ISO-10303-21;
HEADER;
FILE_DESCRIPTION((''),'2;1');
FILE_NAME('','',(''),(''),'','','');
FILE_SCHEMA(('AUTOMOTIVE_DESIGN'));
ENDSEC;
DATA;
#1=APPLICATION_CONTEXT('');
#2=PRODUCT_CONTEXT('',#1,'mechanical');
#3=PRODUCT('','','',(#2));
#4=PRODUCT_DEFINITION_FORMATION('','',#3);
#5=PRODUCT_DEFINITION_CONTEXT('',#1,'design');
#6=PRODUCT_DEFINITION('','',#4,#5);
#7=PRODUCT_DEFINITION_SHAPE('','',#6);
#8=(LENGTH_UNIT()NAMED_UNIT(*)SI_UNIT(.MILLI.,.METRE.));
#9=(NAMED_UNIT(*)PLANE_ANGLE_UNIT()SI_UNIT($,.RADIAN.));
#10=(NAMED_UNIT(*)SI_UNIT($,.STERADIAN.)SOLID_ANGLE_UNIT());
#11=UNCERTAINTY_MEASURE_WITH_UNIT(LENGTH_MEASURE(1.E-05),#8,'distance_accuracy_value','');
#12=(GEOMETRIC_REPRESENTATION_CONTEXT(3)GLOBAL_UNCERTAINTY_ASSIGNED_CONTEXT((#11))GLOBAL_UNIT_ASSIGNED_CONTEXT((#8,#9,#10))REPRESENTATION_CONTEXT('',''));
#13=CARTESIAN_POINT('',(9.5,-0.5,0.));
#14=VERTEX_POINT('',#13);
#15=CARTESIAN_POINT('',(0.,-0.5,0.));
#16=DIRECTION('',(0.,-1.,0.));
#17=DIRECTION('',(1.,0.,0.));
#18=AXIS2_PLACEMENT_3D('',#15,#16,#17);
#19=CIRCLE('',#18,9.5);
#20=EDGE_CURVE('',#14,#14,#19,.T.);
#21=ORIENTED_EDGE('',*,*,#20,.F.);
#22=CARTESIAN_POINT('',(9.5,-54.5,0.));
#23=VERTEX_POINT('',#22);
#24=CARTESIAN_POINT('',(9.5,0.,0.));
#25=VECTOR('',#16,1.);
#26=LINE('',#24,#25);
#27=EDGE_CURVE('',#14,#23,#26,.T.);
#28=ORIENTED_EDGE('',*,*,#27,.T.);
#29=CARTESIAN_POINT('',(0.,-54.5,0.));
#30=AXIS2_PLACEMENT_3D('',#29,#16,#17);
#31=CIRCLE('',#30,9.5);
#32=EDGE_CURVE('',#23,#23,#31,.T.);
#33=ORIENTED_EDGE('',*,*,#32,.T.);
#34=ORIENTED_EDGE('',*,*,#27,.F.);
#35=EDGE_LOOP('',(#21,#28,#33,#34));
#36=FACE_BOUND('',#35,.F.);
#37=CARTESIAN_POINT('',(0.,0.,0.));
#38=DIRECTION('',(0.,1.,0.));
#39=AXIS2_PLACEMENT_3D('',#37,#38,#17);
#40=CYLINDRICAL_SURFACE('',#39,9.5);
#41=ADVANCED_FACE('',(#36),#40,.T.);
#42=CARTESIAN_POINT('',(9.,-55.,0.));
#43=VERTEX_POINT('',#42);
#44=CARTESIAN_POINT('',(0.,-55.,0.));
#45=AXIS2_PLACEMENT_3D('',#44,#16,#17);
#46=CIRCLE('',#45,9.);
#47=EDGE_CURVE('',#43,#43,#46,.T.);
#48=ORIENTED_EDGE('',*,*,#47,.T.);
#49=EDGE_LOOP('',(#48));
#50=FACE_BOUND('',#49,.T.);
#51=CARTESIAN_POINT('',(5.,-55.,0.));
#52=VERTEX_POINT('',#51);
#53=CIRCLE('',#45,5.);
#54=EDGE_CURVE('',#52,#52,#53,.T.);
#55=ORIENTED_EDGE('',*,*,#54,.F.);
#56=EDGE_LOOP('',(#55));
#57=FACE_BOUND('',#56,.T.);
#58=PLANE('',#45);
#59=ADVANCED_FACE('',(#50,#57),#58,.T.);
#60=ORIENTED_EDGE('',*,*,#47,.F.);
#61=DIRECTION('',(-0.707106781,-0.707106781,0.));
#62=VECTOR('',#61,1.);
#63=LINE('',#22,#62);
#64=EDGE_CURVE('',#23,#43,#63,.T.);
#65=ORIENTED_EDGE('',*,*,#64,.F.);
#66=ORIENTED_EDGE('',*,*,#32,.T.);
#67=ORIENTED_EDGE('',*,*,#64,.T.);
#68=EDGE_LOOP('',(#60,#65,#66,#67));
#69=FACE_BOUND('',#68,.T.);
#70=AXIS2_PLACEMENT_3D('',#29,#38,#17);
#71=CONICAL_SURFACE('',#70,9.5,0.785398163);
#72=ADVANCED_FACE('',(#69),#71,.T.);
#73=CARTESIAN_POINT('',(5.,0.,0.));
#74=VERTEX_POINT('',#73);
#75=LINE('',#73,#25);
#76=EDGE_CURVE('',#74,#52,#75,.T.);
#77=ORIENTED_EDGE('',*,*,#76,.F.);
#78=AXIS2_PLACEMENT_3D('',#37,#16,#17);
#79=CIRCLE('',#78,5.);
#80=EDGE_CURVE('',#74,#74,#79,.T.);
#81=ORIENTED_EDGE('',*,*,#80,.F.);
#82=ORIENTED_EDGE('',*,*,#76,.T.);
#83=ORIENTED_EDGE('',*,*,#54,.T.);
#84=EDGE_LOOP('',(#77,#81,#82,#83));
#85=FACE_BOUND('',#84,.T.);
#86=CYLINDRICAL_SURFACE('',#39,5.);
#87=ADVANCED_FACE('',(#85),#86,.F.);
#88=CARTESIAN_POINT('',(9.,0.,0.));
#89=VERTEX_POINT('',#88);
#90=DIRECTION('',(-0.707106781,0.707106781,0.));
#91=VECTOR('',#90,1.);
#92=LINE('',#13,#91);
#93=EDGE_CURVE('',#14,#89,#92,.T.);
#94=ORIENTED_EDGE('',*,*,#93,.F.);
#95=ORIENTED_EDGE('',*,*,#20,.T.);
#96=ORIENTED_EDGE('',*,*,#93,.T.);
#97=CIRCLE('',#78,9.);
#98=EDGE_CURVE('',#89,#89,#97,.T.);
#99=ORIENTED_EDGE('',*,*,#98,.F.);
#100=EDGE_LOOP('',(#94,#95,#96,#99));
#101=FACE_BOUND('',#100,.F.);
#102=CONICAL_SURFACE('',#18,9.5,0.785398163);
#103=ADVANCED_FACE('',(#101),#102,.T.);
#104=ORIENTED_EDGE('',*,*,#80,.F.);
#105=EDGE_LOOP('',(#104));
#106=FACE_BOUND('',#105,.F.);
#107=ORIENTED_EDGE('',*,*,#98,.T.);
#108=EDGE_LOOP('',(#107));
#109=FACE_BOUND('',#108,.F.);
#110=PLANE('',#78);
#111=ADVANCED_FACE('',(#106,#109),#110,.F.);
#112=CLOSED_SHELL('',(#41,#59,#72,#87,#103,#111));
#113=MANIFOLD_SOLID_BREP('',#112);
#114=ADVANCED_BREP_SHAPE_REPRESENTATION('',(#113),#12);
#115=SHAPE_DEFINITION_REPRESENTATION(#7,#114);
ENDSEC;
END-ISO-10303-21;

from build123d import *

# Parameters (mm, degrees)
F0_R     = 9.5
F0_R_2   = 5
F1_DEPTH = 55
F2_SIZE  = 0.5


with BuildPart() as f1:
    # F0 (on Front) → F1 (new body)
    with BuildSketch(Plane.XZ):
        Circle(F0_R)
        Circle(F0_R_2, mode=Mode.SUBTRACT)
    extrude(amount=F1_DEPTH)

    # F2
    f2_edges = [f1.edges().sort_by_distance(p)[0] for p in [
        (-9.5, -55, 0),
        (-9.5, 0, 0),
    ]]
    chamfer(f2_edges, length=F2_SIZE)


solid = f1.part
